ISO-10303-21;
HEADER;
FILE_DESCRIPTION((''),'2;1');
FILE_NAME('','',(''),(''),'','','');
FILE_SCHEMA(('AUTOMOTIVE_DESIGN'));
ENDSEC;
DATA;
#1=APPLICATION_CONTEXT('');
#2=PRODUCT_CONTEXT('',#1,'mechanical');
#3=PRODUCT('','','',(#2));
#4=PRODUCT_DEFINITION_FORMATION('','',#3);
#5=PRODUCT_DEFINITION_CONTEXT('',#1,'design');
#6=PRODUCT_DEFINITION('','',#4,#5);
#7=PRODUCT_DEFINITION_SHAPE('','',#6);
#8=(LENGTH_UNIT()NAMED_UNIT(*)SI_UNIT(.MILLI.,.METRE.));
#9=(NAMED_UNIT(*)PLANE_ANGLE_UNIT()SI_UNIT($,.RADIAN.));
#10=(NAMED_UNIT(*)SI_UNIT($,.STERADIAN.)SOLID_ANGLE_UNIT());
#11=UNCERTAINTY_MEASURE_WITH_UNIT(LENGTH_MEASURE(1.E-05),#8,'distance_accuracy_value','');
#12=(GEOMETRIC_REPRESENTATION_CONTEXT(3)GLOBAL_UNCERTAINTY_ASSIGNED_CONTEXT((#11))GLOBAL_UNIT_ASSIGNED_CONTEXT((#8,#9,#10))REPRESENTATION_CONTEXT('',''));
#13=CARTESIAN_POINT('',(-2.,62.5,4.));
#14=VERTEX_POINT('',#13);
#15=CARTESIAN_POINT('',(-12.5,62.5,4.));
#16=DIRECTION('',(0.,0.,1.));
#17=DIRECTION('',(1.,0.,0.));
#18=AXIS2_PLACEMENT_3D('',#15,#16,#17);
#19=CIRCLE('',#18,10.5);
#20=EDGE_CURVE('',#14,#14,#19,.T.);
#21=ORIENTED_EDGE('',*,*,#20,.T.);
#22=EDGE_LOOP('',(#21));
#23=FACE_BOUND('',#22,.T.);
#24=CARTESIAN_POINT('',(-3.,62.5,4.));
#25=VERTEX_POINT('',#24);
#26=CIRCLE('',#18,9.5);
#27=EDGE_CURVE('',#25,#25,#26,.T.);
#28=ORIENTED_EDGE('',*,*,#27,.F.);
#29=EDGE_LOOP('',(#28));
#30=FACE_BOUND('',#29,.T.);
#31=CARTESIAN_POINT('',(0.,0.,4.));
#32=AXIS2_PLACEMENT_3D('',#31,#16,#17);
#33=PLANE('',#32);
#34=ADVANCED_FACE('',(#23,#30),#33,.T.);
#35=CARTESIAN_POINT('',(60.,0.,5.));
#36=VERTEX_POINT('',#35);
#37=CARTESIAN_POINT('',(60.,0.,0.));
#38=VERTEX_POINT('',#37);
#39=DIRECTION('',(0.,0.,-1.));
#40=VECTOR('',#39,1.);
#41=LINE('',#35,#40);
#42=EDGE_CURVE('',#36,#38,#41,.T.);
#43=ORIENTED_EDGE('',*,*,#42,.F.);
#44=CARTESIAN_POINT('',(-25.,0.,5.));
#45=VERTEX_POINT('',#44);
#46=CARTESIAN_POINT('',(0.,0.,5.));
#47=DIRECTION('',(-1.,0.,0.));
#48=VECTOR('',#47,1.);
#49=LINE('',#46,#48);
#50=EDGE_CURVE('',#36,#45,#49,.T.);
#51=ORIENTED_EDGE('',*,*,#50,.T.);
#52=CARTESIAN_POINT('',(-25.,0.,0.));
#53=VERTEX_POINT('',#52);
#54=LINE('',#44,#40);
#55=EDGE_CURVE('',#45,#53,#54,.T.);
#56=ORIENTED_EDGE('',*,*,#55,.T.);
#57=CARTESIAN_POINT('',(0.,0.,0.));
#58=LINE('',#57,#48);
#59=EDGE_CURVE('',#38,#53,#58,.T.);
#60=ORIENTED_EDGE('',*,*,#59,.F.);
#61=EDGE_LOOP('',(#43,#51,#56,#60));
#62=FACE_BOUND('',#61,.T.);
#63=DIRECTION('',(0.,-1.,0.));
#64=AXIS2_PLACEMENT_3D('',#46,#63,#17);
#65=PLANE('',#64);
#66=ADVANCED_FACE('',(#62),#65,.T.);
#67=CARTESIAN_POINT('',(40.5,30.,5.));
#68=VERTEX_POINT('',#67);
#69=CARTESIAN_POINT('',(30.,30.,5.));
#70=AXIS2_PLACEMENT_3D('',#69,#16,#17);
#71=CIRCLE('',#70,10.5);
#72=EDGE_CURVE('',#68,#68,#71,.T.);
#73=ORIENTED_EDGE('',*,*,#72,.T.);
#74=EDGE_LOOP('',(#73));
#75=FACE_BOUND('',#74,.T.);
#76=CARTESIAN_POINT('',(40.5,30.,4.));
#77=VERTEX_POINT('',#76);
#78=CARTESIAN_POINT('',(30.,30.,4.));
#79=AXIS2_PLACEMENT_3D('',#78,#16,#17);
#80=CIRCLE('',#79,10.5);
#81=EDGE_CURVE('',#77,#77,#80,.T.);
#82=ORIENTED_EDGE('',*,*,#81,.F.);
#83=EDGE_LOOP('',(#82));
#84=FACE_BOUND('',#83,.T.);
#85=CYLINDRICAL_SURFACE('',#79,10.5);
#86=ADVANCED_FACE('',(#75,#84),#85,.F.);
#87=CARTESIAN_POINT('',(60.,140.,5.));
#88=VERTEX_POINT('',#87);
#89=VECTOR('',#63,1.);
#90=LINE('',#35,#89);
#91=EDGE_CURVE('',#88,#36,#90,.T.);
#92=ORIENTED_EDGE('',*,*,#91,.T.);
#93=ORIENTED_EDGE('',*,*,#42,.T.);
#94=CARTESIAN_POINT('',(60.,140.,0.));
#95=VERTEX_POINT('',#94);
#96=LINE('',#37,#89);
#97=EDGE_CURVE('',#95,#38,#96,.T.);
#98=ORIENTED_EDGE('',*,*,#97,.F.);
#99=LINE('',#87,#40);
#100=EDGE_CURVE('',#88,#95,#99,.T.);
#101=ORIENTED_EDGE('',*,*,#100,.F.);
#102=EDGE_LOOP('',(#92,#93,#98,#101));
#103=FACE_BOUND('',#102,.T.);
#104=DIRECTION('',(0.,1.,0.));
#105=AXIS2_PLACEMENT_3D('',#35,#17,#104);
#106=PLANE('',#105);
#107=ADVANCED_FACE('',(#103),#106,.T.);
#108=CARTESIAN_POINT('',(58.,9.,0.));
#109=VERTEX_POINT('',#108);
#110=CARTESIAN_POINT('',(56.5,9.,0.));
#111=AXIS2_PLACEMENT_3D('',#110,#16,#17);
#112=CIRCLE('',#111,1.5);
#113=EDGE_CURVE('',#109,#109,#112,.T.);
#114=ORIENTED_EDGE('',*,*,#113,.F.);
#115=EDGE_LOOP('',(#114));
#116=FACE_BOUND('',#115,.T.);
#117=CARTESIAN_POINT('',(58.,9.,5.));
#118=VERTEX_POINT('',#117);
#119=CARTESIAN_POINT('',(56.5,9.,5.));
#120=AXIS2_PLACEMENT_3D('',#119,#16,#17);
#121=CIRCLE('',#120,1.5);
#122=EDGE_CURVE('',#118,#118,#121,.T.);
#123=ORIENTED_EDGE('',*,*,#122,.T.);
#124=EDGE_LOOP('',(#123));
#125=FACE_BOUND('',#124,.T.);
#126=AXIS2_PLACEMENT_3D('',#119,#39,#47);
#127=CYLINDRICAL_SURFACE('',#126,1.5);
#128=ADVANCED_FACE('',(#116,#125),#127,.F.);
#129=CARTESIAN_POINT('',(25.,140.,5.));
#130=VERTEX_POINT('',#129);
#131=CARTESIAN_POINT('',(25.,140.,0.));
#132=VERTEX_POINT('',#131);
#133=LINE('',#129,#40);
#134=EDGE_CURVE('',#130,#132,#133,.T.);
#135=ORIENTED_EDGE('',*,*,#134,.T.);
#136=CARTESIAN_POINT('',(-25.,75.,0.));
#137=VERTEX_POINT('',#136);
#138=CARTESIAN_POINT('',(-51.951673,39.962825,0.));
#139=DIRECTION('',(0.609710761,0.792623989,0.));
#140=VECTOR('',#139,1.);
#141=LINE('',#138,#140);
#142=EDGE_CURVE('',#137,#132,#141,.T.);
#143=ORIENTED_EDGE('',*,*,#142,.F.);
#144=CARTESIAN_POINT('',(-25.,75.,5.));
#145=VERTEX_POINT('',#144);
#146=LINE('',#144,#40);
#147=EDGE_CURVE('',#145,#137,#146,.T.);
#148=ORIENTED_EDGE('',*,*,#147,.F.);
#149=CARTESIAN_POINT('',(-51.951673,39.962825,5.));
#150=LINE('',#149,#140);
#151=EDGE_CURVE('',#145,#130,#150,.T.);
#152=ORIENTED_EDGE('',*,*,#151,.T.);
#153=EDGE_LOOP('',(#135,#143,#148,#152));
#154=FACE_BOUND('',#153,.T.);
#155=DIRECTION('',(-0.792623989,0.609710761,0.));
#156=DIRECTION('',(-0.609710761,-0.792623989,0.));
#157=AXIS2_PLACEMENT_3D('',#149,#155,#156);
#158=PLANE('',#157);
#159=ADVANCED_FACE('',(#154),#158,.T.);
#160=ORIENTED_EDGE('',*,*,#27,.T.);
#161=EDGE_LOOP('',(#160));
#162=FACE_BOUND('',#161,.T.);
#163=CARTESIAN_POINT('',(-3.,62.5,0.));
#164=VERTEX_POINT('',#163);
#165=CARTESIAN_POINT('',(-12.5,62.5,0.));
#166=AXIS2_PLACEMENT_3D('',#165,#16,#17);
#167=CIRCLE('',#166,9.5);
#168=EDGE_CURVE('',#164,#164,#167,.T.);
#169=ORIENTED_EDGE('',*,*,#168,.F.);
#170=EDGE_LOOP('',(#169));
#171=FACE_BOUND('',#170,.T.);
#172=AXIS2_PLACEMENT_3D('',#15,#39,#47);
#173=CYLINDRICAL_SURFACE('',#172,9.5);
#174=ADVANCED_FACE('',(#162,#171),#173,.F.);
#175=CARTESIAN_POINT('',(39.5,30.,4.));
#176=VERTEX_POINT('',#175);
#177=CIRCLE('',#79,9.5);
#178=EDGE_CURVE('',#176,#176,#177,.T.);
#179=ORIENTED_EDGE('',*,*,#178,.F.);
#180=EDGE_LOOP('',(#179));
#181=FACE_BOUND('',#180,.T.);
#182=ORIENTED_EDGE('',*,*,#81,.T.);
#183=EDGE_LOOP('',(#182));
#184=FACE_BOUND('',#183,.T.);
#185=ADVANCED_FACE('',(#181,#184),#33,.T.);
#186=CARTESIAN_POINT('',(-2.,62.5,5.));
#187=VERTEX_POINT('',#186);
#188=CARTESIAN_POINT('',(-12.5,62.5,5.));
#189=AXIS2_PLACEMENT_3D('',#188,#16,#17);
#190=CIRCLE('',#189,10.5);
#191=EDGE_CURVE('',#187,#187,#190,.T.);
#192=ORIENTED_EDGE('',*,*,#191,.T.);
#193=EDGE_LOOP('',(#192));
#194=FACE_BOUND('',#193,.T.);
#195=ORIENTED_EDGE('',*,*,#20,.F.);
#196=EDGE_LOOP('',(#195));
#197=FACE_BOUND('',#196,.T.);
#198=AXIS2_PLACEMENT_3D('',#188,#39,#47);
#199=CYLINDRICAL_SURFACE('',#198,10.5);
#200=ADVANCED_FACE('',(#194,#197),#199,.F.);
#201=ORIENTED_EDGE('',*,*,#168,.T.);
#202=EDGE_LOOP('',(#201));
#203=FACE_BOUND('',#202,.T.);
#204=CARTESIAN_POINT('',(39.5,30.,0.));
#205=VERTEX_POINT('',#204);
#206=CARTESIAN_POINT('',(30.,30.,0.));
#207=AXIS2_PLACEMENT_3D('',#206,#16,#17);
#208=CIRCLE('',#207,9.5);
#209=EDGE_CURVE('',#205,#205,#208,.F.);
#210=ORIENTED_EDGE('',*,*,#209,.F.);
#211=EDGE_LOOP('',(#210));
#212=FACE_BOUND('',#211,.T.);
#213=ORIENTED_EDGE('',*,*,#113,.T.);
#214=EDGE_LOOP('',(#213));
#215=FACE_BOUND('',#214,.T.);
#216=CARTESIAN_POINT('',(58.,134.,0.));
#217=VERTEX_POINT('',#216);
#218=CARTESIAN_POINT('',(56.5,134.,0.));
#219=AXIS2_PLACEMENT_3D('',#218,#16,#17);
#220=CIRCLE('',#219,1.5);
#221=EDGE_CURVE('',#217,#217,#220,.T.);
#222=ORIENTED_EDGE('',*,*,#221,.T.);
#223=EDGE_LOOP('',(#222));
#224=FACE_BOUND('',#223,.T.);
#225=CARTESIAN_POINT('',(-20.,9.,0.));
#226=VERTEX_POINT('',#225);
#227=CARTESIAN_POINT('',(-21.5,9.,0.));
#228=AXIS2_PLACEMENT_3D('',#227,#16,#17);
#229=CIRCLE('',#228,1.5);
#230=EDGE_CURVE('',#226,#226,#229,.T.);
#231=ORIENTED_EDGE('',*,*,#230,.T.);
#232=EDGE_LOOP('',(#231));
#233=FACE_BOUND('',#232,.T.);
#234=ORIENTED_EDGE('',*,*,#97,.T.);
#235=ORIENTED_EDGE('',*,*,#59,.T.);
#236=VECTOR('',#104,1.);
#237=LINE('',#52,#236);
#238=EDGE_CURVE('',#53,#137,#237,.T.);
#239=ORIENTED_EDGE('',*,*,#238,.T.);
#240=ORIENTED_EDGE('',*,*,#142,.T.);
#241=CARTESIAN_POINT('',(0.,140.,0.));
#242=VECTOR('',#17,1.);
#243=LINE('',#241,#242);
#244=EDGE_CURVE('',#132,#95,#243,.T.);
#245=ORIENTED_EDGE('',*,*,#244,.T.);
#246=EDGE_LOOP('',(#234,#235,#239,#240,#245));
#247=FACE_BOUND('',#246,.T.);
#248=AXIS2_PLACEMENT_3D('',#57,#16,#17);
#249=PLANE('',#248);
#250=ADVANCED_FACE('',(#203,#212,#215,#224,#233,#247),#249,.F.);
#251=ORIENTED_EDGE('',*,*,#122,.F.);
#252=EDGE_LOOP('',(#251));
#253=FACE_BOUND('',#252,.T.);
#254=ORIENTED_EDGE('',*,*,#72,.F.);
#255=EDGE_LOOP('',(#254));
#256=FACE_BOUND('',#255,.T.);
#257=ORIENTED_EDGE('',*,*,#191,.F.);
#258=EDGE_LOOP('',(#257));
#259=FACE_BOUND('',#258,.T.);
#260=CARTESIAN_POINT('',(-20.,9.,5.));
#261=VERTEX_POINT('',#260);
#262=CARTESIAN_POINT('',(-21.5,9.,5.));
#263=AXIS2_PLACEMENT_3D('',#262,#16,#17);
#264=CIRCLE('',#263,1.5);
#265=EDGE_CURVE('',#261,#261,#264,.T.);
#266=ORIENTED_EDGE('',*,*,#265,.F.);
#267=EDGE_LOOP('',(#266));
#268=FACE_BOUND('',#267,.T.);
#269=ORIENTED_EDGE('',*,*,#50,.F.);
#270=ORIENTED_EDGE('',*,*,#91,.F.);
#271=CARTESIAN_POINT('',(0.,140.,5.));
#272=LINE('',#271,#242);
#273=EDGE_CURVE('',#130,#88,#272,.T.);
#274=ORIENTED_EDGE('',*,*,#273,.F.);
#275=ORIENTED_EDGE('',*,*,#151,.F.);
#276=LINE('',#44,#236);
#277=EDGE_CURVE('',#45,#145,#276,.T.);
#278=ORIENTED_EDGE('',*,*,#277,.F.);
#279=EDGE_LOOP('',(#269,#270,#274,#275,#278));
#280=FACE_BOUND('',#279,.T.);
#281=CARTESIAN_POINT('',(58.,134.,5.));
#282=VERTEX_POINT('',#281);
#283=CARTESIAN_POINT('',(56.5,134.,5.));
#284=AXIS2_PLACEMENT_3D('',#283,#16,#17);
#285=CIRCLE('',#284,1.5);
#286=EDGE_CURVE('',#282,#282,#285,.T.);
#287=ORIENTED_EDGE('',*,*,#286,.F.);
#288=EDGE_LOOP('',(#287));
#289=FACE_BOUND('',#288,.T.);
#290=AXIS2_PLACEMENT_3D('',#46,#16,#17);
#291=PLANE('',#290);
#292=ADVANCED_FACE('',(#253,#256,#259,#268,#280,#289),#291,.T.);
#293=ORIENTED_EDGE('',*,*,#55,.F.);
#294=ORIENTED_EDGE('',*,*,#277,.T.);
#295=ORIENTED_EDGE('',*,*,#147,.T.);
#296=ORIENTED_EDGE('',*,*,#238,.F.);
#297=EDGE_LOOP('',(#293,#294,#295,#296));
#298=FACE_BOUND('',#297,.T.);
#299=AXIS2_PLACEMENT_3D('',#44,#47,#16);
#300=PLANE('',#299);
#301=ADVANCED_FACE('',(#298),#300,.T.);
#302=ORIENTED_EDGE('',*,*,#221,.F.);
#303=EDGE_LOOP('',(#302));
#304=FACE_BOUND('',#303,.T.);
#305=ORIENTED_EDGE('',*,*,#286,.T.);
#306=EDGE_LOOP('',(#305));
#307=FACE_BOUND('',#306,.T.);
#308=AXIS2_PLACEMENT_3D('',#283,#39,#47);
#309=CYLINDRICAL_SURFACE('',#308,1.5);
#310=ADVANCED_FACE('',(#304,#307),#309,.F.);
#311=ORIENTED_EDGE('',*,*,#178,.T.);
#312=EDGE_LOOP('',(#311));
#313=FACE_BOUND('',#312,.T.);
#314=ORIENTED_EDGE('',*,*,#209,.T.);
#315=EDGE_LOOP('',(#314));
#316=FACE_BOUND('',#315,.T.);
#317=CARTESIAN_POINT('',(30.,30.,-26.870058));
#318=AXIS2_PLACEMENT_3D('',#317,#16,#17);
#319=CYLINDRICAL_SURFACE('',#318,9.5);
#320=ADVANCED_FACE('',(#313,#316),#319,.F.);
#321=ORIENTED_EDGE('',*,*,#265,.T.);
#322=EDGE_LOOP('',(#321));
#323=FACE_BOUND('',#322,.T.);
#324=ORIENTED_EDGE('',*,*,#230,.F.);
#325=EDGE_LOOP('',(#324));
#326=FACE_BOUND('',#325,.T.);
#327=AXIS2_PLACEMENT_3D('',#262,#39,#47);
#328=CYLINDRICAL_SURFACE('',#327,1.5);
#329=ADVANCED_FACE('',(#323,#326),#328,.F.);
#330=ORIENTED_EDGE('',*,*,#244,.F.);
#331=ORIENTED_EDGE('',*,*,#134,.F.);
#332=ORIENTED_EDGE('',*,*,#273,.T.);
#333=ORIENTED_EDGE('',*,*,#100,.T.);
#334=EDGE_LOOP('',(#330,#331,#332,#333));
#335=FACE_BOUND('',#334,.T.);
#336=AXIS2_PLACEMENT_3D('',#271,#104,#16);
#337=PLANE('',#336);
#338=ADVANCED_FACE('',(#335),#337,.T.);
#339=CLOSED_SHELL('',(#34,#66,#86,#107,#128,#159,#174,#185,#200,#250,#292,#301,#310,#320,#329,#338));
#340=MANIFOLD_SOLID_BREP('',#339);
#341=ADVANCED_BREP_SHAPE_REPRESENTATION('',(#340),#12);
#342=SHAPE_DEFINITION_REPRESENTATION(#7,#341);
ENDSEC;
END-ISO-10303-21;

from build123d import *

# Parameters (mm, degrees)
SKETCH1_R           = 1.5
SKETCH1_R_2         = 10.5
BOSS_EXTRUDE1_DEPTH = 5
SKETCH1_3_R         = 10.5
SKETCH1_3_R_2       = 9.5
BOSS_EXTRUDE2_DEPTH = 4
SKETCH3_3_R         = 9.5
CUT_EXTRUDE2_DEPTH  = 5
SKETCH3_R           = 10.5
SKETCH3_R_2         = 9.5
CUT_EXTRUDE3_DEPTH  = 1


with BuildPart() as part:
    # Sketch1 → Boss-Extrude1 (new body)
    # profile 1 of 2: a face of its own
    with BuildSketch(Plane.XY):
        Polygon((-25, 0), (0, 0), (50, 0), (60, 0), (60, 140), (50, 140), (50, 75), (-25, 75), align=None)
        with Locations((-21.5, 9)):
            Circle(SKETCH1_R, mode=Mode.SUBTRACT)
        with Locations((-12.5, 62.5)):
            Circle(SKETCH1_R_2, mode=Mode.SUBTRACT)
        with Locations((56.5, 9)):
            Circle(SKETCH1_R, mode=Mode.SUBTRACT)
        with Locations((56.5, 134)):
            Circle(SKETCH1_R, mode=Mode.SUBTRACT)
    # profile 2 of 2: a face of its own
    with BuildSketch(Plane.XY):
        Polygon((25, 140), (-25, 75), (50, 75), (50, 140), align=None)
    extrude(amount=BOSS_EXTRUDE1_DEPTH)

    # Sketch1<3> → Boss-Extrude2 (add)
    with BuildSketch(Plane.XY):
        with Locations((-12.5, 62.5)):
            Circle(SKETCH1_3_R)
        with Locations((-12.5, 62.5)):
            Circle(SKETCH1_3_R_2, mode=Mode.SUBTRACT)
    extrude(amount=BOSS_EXTRUDE2_DEPTH)

    # Sketch3<3> → Cut-Extrude2 (cut)
    with BuildSketch(Plane.XY.offset(5)):
        with Locations((30, 30)):
            Circle(SKETCH3_3_R)
    extrude(amount=-CUT_EXTRUDE2_DEPTH, mode=Mode.SUBTRACT)

    # Sketch3 → Cut-Extrude3 (cut)
    with BuildSketch(Plane.XY.offset(5)):
        with Locations((30, 30)):
            Circle(SKETCH3_R)
        with Locations((30, 30)):
            Circle(SKETCH3_R_2, mode=Mode.SUBTRACT)
    extrude(amount=-CUT_EXTRUDE3_DEPTH, mode=Mode.SUBTRACT)


solid = part.part
